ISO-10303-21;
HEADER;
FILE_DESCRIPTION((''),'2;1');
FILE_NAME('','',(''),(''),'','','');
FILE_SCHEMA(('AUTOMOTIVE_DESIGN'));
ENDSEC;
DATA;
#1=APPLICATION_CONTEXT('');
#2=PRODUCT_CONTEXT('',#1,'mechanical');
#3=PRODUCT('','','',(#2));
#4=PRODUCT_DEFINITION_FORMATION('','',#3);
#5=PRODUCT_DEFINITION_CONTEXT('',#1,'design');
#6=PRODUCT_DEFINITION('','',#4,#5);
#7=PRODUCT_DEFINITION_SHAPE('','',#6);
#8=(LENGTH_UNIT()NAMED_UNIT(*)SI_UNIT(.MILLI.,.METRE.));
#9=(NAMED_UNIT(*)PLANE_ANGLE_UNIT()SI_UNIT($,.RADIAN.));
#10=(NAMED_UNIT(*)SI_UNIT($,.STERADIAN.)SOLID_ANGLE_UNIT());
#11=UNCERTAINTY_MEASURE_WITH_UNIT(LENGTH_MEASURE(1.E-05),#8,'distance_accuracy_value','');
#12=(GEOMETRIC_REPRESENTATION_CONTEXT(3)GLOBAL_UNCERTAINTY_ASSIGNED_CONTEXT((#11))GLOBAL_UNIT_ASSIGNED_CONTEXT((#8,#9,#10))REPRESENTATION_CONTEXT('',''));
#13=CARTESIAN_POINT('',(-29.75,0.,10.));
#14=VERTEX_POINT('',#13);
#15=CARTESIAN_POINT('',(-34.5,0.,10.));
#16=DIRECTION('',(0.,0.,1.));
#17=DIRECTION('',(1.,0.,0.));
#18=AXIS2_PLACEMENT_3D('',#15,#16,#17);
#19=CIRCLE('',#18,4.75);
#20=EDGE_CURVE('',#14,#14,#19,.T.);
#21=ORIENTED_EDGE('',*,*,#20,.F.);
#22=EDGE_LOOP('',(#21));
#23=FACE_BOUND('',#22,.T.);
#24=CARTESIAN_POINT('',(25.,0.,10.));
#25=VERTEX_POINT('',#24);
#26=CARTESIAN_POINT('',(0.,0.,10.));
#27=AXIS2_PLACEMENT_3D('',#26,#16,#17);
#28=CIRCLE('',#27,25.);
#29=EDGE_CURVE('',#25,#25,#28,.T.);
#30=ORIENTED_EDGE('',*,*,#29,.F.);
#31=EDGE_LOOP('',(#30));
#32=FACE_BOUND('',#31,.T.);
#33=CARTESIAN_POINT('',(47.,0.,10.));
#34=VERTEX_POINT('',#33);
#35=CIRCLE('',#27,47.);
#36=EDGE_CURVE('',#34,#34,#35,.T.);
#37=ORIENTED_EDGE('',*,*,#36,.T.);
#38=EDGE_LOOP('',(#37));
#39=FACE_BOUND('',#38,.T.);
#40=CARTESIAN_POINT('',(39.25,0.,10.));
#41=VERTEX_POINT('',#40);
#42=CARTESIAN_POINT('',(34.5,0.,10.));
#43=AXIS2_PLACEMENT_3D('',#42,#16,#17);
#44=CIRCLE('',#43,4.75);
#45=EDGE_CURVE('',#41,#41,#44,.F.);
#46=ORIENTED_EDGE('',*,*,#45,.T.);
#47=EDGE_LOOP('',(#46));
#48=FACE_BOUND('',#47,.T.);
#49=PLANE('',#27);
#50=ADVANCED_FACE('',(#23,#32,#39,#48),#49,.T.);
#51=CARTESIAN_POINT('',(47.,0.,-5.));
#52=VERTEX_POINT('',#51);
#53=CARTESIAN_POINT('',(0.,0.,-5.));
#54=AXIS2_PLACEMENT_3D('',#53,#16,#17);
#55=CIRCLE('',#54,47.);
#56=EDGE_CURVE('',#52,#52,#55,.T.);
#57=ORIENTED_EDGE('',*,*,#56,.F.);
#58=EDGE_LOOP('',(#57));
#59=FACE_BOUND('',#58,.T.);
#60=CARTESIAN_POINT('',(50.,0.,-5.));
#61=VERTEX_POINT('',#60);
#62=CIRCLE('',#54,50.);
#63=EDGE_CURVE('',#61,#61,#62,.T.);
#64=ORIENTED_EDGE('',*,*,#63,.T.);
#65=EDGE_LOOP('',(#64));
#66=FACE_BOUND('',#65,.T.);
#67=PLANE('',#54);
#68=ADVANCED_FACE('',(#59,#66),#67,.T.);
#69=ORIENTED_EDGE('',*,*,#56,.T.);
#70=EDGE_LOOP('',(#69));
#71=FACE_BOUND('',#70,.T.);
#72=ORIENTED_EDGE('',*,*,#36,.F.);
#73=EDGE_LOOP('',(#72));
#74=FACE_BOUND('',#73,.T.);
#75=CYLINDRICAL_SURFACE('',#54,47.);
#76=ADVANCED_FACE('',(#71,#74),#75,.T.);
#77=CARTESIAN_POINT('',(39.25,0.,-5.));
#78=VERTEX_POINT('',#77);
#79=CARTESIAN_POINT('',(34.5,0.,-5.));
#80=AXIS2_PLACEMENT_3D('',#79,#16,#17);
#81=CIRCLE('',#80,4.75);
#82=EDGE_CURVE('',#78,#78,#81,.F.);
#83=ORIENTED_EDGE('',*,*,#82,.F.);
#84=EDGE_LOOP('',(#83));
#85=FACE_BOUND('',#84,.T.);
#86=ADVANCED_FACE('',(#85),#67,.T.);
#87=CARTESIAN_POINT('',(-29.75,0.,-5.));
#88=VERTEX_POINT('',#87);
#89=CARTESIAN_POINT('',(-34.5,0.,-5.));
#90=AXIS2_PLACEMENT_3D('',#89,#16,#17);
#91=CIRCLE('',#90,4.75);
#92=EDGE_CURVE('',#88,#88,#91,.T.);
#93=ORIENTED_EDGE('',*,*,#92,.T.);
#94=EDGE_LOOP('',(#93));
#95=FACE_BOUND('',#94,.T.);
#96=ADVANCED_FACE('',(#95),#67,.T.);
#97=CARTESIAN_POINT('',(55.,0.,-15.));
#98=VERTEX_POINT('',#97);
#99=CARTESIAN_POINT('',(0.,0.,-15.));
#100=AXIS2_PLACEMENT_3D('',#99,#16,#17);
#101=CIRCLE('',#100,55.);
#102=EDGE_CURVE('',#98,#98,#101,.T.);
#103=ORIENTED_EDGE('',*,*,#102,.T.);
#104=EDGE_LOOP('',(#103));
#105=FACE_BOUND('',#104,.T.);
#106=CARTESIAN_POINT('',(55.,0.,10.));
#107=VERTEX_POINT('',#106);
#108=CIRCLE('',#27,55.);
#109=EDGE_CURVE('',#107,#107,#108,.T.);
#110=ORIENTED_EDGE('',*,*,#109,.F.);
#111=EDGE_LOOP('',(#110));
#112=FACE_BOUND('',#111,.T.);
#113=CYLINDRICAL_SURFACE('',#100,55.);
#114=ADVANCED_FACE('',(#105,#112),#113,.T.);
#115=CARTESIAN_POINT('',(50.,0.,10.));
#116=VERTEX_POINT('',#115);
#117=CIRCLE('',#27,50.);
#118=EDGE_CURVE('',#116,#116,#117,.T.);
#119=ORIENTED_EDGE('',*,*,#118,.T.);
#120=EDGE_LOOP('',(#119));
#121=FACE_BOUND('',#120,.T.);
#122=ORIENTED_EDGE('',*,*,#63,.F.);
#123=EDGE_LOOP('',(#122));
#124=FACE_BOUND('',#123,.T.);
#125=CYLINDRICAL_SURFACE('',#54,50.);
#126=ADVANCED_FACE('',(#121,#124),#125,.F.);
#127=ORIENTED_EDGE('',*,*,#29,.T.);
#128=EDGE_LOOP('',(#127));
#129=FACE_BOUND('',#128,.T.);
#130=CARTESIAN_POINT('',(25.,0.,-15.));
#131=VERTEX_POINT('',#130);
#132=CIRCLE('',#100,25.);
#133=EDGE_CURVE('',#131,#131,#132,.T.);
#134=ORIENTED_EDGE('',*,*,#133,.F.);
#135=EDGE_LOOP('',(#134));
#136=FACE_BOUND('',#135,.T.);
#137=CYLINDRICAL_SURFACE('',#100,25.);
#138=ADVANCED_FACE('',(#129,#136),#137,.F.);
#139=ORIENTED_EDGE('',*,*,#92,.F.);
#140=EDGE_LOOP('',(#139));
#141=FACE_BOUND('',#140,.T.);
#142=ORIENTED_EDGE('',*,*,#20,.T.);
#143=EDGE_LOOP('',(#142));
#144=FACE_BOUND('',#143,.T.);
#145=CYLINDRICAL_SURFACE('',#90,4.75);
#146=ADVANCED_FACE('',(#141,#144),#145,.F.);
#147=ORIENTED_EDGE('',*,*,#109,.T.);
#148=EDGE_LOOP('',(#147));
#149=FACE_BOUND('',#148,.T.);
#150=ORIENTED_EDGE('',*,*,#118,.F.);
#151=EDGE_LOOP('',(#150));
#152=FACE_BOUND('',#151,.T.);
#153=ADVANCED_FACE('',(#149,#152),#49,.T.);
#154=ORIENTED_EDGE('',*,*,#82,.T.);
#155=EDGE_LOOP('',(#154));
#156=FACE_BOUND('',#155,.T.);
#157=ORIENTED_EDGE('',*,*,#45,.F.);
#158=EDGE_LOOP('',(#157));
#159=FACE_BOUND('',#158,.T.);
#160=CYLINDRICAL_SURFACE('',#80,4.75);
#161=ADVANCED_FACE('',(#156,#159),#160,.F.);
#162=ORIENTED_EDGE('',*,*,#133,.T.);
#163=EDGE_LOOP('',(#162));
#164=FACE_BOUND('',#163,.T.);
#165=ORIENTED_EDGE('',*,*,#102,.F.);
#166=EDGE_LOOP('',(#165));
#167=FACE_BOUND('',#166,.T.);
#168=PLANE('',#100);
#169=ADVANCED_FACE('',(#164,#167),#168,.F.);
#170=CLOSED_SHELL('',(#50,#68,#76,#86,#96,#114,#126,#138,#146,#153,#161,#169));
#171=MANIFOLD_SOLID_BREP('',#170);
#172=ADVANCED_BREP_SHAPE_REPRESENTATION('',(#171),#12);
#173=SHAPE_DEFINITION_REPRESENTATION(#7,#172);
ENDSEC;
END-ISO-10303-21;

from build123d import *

# Parameters (mm, degrees)
BOSS_EXTRUDE1_DEPTH      = 10
BOSS_EXTRUDE1_DEPTH_BACK = 15
SKETCH1_R                = 55
SKETCH1_R_2              = 25
SKETCH2_R                = 50
SKETCH2_R_2              = 47
SKETCH2_R_3              = 4.75
CUT_EXTRUDE1_DEPTH       = 15


with BuildPart() as part:
    # Sketch1 → Boss-Extrude1 (new, two sides: drawn at the far end of the back side and taken through both)
    with BuildSketch(Plane.XY.offset(-BOSS_EXTRUDE1_DEPTH_BACK)):
        Circle(SKETCH1_R)
        Circle(SKETCH1_R_2, mode=Mode.SUBTRACT)
    extrude(amount=BOSS_EXTRUDE1_DEPTH + BOSS_EXTRUDE1_DEPTH_BACK)

    # Sketch2 → Cut-Extrude1 (cut)
    # profile 1 of 3: a face of its own
    with BuildSketch(Plane.XY.offset(10)):
        Circle(SKETCH2_R)
        Circle(SKETCH2_R_2, mode=Mode.SUBTRACT)
    # profile 2 of 3: a face of its own
    with BuildSketch(Plane.XY.offset(10)):
        with Locations((-34.5, 0)):
            Circle(SKETCH2_R_3)
    # profile 3 of 3: a face of its own
    with BuildSketch(Plane.XY.offset(10)):
        with Locations((34.5, 0)):
            Circle(SKETCH2_R_3)
    extrude(amount=-CUT_EXTRUDE1_DEPTH, mode=Mode.SUBTRACT)


solid = part.part
